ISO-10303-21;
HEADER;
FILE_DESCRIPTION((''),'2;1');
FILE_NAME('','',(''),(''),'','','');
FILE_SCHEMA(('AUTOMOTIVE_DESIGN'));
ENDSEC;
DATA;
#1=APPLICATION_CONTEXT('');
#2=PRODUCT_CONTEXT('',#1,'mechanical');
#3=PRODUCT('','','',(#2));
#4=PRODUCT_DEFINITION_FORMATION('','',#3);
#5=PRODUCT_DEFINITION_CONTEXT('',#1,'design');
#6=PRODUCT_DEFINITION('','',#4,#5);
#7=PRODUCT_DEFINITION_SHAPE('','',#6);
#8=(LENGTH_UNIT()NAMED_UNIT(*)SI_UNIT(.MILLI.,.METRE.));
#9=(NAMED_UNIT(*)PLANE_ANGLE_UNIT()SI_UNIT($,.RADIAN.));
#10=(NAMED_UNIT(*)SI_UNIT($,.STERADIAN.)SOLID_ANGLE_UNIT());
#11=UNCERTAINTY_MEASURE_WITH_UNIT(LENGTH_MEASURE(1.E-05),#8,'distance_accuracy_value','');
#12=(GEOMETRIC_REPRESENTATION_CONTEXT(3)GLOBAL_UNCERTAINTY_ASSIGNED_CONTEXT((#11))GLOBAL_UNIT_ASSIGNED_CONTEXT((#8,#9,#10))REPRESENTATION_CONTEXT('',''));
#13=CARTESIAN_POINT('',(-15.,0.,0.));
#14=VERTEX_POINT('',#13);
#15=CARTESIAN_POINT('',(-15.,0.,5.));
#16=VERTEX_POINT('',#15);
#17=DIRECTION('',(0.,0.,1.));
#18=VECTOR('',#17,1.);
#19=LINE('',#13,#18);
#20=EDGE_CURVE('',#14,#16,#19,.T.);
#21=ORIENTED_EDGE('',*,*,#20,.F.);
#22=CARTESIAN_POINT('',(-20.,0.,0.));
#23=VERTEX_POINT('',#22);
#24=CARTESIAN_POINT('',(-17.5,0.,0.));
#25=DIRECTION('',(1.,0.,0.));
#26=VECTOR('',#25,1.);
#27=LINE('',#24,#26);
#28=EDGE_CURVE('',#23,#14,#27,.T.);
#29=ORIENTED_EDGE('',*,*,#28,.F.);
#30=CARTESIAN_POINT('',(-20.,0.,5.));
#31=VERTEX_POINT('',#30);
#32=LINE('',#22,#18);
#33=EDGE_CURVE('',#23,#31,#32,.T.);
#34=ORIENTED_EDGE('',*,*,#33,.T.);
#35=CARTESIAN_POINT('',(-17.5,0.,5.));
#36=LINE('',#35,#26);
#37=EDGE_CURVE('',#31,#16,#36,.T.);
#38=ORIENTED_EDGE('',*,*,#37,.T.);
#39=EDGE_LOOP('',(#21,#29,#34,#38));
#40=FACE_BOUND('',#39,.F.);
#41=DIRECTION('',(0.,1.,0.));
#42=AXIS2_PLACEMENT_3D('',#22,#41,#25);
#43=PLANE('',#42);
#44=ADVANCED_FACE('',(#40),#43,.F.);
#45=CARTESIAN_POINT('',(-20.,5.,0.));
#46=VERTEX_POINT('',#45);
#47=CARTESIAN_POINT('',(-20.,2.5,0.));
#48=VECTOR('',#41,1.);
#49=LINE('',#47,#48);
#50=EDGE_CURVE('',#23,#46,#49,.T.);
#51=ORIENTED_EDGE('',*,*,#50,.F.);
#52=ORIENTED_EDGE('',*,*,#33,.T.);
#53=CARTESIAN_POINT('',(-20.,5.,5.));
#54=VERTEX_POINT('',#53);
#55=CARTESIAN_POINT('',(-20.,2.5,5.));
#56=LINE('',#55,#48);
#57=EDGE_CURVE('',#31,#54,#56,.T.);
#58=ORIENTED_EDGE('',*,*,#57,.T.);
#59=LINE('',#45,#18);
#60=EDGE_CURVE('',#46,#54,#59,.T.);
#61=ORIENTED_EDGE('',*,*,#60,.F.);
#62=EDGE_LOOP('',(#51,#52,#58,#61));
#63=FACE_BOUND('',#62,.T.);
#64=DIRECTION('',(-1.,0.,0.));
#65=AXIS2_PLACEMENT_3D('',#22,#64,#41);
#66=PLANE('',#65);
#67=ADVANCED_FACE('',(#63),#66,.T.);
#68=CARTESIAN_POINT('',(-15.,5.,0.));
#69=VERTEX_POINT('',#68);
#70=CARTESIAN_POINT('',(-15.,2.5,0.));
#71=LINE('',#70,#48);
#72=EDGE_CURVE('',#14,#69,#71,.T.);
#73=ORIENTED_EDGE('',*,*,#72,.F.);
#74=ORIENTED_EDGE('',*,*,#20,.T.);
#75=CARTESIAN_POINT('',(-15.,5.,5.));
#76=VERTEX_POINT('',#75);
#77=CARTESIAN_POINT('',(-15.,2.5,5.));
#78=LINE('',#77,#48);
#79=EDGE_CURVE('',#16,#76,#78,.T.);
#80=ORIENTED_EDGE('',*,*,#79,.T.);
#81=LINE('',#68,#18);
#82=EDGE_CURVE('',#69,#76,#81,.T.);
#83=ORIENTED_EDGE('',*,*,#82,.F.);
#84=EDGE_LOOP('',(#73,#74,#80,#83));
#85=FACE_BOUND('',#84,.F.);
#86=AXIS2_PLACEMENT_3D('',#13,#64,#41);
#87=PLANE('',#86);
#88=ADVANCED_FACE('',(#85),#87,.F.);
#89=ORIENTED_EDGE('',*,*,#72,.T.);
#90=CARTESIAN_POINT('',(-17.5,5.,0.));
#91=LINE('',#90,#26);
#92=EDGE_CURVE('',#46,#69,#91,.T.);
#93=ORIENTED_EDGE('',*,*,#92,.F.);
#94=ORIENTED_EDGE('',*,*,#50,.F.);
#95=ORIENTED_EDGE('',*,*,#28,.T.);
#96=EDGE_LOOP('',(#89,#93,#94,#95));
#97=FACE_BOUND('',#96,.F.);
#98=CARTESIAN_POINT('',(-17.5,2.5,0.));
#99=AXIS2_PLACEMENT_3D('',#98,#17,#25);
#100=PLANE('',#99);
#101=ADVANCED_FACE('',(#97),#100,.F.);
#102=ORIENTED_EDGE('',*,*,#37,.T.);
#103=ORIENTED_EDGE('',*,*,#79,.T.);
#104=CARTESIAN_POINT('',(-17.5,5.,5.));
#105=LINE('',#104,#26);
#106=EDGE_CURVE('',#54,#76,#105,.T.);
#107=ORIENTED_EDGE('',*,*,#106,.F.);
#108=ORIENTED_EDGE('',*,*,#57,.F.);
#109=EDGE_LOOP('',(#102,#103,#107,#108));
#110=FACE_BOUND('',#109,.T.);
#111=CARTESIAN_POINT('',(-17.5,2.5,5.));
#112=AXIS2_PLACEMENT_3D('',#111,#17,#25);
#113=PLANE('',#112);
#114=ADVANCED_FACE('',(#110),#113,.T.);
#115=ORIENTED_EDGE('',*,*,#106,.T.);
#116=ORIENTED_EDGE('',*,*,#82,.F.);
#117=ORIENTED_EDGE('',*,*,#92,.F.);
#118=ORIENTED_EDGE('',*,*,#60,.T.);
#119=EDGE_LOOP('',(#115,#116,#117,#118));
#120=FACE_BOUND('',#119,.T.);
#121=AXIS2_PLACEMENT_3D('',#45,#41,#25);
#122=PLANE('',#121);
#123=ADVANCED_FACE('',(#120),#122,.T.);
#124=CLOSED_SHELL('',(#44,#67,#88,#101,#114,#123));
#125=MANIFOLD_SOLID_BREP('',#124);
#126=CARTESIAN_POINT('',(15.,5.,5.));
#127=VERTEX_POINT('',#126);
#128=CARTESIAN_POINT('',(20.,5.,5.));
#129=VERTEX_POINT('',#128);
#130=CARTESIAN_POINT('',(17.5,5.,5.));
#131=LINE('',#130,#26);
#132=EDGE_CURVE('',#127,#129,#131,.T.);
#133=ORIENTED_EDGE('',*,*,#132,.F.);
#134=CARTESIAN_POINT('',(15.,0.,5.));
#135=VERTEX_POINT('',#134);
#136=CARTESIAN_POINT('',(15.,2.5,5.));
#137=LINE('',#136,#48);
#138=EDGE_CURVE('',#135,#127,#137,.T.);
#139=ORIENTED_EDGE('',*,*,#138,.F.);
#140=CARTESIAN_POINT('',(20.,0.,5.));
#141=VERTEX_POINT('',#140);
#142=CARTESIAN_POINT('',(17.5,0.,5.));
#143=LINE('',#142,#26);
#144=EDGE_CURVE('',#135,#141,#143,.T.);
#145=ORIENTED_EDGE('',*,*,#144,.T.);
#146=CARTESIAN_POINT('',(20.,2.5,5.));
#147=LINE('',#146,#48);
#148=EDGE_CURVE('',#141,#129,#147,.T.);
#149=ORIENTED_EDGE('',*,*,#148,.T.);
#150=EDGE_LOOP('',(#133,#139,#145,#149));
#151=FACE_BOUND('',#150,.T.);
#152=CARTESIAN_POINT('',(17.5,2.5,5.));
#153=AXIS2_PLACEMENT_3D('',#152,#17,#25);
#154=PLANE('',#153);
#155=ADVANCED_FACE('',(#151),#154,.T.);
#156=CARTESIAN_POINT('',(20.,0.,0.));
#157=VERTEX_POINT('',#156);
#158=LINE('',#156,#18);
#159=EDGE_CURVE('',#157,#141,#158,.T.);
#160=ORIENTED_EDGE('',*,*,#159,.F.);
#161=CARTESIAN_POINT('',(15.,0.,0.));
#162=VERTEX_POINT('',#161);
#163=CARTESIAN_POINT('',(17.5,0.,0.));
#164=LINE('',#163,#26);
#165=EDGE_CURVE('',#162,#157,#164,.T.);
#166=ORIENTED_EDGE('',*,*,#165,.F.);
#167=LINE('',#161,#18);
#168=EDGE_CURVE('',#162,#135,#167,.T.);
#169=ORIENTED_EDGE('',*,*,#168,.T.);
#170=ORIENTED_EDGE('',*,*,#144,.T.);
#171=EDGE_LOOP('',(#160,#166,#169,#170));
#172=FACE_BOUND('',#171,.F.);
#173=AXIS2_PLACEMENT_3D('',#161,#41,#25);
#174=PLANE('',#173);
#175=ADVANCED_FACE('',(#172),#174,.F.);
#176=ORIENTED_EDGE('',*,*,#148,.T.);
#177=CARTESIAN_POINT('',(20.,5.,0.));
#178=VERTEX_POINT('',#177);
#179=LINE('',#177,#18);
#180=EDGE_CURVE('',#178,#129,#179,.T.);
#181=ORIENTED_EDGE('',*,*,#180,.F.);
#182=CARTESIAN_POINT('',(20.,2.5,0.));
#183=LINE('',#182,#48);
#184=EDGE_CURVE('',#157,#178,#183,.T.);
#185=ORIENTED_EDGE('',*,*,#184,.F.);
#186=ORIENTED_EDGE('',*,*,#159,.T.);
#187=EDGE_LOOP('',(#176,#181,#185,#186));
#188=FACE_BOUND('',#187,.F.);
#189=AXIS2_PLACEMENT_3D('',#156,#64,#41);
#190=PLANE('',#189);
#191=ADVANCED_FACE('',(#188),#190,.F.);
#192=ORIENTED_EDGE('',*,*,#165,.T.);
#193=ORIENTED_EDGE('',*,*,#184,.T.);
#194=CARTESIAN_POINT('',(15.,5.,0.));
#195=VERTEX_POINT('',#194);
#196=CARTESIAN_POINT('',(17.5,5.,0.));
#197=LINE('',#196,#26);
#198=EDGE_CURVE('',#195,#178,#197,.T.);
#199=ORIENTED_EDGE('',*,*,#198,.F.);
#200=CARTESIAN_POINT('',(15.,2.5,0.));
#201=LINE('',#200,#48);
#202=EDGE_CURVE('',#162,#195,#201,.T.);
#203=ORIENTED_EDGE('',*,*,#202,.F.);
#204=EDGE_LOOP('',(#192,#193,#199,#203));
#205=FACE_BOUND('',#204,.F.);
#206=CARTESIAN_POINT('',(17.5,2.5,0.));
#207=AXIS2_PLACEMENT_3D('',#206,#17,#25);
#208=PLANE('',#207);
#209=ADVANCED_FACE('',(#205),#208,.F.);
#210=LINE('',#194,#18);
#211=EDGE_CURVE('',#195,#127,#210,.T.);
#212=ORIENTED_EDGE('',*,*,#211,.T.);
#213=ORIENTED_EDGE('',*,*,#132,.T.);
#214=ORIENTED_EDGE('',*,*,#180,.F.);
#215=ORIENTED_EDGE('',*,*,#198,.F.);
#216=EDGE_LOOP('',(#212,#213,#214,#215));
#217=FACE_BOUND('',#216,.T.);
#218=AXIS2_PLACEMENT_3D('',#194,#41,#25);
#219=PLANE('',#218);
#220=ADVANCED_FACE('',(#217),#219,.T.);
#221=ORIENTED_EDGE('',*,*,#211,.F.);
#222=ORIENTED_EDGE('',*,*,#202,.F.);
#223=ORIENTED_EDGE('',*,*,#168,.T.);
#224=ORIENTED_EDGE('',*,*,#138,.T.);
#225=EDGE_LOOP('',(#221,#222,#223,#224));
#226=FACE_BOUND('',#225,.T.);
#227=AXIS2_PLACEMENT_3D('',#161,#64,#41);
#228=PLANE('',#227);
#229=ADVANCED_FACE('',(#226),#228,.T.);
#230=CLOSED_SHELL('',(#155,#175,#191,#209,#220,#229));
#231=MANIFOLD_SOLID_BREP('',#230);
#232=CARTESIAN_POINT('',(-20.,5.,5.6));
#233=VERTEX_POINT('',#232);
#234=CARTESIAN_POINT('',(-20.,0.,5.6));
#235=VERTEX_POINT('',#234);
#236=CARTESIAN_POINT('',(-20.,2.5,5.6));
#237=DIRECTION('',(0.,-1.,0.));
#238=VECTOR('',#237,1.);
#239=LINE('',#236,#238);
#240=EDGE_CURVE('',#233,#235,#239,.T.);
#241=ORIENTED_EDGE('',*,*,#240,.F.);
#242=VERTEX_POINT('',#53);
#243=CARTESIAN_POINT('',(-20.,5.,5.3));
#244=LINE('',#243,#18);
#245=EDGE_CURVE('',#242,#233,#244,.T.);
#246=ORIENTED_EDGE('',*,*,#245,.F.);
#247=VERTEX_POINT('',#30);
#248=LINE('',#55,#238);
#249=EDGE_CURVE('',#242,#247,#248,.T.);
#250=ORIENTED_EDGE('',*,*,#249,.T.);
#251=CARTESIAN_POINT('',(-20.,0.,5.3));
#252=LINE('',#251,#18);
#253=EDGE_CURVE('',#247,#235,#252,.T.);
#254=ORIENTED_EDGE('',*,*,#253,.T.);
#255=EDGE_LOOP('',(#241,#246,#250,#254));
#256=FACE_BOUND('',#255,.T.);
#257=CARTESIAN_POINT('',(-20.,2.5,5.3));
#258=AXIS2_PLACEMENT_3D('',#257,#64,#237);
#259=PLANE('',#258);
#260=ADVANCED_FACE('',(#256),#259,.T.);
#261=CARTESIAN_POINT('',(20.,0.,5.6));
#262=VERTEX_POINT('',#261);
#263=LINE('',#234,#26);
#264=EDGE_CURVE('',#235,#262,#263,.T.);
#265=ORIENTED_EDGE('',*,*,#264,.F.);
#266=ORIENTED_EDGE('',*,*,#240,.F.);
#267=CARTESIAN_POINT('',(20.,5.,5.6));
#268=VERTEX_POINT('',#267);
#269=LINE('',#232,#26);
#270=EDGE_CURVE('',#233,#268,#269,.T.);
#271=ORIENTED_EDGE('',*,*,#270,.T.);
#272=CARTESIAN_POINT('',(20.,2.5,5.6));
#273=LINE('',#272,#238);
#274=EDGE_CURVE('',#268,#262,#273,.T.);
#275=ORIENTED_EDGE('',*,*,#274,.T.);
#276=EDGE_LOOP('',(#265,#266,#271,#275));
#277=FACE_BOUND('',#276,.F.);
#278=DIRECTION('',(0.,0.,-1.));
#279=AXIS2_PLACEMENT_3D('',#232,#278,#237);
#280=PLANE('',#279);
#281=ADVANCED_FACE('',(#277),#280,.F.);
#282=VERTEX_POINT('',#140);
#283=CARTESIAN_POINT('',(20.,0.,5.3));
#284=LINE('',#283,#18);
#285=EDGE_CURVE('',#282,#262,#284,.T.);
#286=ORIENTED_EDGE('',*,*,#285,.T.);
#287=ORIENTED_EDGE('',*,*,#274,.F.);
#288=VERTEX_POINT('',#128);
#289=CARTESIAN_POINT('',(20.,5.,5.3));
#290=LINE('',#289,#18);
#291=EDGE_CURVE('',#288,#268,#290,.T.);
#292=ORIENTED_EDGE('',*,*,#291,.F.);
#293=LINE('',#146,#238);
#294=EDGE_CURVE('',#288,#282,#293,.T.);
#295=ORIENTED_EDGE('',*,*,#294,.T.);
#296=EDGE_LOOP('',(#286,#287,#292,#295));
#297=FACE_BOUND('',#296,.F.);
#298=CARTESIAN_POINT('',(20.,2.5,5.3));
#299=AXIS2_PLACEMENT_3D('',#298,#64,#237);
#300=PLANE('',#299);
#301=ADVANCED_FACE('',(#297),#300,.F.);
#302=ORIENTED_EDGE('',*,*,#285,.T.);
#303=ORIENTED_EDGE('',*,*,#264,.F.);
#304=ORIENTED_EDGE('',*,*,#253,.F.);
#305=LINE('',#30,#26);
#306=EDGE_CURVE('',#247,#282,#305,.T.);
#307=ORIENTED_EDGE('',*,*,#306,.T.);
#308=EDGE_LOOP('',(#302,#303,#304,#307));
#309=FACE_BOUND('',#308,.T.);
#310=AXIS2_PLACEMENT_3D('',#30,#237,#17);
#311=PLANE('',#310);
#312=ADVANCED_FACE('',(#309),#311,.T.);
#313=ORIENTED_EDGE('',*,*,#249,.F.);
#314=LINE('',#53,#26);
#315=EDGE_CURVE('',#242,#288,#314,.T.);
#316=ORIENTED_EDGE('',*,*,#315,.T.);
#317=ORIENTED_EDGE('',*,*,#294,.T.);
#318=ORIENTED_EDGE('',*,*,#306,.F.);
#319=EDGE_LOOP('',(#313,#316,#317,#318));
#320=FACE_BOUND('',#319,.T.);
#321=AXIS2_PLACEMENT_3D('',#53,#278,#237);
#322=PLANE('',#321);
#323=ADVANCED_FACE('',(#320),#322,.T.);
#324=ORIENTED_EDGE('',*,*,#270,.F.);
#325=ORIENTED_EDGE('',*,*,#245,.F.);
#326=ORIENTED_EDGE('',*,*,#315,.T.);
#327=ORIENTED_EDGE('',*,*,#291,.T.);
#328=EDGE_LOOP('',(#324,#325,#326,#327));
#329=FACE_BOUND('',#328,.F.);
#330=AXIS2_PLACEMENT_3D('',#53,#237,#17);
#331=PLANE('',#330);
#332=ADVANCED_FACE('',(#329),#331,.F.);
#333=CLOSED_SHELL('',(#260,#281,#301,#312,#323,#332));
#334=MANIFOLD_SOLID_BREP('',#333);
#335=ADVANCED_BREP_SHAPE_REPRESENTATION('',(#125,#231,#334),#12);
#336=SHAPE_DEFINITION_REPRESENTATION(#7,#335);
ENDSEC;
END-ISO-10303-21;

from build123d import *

# Parameters (mm, degrees)
F0_W     = 5
F0_H     = 5
F1_DEPTH = 5
F2_W     = 5
F2_H     = 0.6
F3_DEPTH = 40


with BuildPart() as f1:
    # F0 (on Top) → F1 (new body)
    with BuildSketch(Plane.XY):
        with Locations((-17.5, 2.5)):
            Rectangle(F0_W, F0_H)
        with Locations((17.5, 2.5)):
            Rectangle(F0_W, F0_H)
    extrude(amount=F1_DEPTH)


with BuildPart() as f3:
    # F2 (on face) → F3 (new body)
    with BuildSketch(Plane(origin=(-20, 0, 0), x_dir=(0, -1, 0), z_dir=(-1, 0, 0))):
        with Locations((-2.5, 5.3)):
            Rectangle(F2_W, F2_H)
    extrude(amount=-F3_DEPTH)


solid = Compound([f1.part, f3.part])
